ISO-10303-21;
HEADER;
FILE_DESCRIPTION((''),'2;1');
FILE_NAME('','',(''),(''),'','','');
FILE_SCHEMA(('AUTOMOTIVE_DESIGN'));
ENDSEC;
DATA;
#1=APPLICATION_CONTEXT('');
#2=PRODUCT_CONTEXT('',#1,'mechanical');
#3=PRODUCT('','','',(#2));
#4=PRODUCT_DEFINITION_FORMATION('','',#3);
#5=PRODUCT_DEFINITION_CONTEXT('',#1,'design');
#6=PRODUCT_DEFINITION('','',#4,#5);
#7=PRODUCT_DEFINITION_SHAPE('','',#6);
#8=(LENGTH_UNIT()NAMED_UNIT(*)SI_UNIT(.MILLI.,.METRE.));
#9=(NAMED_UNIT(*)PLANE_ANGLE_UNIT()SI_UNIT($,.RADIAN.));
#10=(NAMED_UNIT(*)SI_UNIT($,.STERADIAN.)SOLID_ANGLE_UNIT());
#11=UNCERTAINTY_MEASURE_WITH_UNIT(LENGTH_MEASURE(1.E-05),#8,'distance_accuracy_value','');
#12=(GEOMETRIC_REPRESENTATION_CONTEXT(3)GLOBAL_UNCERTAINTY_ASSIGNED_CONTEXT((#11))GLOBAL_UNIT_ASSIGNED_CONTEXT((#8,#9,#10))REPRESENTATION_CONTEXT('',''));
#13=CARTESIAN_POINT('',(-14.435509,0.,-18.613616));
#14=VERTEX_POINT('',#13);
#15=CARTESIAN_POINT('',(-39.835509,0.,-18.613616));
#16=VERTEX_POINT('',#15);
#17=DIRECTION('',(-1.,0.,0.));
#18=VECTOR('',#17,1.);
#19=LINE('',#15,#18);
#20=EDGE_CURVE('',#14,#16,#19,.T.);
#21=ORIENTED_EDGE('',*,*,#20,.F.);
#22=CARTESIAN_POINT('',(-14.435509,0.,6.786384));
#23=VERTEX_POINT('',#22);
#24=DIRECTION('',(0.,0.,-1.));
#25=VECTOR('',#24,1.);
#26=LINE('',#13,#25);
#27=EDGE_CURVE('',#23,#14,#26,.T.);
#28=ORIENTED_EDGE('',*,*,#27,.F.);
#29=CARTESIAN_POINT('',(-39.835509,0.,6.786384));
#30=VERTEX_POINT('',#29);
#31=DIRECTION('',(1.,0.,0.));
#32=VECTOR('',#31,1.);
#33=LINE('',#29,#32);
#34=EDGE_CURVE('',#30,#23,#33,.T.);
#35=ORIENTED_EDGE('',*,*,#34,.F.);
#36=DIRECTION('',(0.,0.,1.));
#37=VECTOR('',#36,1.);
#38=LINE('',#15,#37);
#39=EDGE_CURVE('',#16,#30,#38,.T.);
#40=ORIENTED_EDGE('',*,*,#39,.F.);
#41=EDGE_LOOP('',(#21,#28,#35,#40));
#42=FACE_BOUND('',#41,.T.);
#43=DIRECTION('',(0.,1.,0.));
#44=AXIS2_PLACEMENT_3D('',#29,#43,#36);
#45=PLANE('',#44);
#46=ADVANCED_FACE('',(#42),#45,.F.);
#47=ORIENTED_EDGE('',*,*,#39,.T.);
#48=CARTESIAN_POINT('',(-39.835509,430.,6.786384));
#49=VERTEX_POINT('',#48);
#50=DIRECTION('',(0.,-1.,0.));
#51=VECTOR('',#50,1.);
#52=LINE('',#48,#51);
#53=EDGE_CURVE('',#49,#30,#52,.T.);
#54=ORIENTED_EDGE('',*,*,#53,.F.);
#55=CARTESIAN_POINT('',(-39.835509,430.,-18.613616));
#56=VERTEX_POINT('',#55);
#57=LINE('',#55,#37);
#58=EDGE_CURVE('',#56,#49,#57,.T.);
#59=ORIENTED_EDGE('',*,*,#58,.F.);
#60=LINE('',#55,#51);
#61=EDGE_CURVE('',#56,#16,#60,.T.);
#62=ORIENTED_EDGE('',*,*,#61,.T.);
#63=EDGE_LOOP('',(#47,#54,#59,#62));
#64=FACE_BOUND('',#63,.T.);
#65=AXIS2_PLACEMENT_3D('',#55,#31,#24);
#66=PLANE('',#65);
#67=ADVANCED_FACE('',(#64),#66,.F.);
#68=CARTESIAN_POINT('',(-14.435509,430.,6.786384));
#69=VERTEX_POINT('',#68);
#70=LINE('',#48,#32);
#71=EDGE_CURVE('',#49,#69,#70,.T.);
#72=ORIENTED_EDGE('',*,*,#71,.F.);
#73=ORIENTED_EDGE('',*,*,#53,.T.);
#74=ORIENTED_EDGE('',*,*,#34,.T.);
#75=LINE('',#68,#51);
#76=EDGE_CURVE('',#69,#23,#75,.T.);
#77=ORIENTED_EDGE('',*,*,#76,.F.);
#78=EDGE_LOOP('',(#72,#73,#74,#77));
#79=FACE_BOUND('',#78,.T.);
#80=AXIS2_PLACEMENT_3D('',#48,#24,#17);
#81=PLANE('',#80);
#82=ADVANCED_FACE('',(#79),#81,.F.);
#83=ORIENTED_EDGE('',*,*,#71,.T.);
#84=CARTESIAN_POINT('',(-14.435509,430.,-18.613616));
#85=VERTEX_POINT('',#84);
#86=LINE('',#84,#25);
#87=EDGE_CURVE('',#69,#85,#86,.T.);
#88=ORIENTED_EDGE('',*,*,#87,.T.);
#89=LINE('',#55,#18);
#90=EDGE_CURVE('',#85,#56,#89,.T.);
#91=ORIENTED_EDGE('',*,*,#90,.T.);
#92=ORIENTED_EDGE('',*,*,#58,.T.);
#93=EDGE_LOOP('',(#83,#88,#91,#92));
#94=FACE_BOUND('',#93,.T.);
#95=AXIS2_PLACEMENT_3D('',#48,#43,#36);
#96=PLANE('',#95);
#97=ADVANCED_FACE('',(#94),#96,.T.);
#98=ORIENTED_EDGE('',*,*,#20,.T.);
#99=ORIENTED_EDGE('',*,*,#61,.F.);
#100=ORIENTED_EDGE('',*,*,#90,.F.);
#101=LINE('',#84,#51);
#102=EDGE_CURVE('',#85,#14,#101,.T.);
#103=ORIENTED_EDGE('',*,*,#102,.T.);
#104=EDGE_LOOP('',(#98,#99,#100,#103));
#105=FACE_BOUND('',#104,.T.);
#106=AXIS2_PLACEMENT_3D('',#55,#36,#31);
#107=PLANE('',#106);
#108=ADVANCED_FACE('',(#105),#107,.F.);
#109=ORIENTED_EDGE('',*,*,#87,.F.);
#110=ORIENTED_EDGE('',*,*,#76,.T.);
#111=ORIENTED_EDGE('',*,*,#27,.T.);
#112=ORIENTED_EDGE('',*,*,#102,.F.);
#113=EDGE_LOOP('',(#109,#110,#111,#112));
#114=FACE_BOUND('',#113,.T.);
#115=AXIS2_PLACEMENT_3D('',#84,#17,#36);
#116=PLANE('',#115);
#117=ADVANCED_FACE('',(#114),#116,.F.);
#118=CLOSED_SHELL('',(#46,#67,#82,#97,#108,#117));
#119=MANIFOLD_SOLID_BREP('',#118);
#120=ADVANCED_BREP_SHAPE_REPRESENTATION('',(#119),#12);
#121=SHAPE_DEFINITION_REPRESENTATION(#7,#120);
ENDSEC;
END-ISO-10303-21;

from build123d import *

# Parameters (mm, degrees)
SKETCH1_W           = 25.4
SKETCH1_H           = 25.4
BOSS_EXTRUDE1_DEPTH = 430


with BuildPart() as part:
    # Sketch1 → Boss-Extrude1 (new body)
    with BuildSketch(Plane(origin=(0, 0, 0), x_dir=(1, 0, 0), z_dir=(0, 1, 0))):
        with Locations((-27.135508984, 5.913615805)):
            Rectangle(SKETCH1_W, SKETCH1_H)
    extrude(amount=BOSS_EXTRUDE1_DEPTH)


solid = part.part
